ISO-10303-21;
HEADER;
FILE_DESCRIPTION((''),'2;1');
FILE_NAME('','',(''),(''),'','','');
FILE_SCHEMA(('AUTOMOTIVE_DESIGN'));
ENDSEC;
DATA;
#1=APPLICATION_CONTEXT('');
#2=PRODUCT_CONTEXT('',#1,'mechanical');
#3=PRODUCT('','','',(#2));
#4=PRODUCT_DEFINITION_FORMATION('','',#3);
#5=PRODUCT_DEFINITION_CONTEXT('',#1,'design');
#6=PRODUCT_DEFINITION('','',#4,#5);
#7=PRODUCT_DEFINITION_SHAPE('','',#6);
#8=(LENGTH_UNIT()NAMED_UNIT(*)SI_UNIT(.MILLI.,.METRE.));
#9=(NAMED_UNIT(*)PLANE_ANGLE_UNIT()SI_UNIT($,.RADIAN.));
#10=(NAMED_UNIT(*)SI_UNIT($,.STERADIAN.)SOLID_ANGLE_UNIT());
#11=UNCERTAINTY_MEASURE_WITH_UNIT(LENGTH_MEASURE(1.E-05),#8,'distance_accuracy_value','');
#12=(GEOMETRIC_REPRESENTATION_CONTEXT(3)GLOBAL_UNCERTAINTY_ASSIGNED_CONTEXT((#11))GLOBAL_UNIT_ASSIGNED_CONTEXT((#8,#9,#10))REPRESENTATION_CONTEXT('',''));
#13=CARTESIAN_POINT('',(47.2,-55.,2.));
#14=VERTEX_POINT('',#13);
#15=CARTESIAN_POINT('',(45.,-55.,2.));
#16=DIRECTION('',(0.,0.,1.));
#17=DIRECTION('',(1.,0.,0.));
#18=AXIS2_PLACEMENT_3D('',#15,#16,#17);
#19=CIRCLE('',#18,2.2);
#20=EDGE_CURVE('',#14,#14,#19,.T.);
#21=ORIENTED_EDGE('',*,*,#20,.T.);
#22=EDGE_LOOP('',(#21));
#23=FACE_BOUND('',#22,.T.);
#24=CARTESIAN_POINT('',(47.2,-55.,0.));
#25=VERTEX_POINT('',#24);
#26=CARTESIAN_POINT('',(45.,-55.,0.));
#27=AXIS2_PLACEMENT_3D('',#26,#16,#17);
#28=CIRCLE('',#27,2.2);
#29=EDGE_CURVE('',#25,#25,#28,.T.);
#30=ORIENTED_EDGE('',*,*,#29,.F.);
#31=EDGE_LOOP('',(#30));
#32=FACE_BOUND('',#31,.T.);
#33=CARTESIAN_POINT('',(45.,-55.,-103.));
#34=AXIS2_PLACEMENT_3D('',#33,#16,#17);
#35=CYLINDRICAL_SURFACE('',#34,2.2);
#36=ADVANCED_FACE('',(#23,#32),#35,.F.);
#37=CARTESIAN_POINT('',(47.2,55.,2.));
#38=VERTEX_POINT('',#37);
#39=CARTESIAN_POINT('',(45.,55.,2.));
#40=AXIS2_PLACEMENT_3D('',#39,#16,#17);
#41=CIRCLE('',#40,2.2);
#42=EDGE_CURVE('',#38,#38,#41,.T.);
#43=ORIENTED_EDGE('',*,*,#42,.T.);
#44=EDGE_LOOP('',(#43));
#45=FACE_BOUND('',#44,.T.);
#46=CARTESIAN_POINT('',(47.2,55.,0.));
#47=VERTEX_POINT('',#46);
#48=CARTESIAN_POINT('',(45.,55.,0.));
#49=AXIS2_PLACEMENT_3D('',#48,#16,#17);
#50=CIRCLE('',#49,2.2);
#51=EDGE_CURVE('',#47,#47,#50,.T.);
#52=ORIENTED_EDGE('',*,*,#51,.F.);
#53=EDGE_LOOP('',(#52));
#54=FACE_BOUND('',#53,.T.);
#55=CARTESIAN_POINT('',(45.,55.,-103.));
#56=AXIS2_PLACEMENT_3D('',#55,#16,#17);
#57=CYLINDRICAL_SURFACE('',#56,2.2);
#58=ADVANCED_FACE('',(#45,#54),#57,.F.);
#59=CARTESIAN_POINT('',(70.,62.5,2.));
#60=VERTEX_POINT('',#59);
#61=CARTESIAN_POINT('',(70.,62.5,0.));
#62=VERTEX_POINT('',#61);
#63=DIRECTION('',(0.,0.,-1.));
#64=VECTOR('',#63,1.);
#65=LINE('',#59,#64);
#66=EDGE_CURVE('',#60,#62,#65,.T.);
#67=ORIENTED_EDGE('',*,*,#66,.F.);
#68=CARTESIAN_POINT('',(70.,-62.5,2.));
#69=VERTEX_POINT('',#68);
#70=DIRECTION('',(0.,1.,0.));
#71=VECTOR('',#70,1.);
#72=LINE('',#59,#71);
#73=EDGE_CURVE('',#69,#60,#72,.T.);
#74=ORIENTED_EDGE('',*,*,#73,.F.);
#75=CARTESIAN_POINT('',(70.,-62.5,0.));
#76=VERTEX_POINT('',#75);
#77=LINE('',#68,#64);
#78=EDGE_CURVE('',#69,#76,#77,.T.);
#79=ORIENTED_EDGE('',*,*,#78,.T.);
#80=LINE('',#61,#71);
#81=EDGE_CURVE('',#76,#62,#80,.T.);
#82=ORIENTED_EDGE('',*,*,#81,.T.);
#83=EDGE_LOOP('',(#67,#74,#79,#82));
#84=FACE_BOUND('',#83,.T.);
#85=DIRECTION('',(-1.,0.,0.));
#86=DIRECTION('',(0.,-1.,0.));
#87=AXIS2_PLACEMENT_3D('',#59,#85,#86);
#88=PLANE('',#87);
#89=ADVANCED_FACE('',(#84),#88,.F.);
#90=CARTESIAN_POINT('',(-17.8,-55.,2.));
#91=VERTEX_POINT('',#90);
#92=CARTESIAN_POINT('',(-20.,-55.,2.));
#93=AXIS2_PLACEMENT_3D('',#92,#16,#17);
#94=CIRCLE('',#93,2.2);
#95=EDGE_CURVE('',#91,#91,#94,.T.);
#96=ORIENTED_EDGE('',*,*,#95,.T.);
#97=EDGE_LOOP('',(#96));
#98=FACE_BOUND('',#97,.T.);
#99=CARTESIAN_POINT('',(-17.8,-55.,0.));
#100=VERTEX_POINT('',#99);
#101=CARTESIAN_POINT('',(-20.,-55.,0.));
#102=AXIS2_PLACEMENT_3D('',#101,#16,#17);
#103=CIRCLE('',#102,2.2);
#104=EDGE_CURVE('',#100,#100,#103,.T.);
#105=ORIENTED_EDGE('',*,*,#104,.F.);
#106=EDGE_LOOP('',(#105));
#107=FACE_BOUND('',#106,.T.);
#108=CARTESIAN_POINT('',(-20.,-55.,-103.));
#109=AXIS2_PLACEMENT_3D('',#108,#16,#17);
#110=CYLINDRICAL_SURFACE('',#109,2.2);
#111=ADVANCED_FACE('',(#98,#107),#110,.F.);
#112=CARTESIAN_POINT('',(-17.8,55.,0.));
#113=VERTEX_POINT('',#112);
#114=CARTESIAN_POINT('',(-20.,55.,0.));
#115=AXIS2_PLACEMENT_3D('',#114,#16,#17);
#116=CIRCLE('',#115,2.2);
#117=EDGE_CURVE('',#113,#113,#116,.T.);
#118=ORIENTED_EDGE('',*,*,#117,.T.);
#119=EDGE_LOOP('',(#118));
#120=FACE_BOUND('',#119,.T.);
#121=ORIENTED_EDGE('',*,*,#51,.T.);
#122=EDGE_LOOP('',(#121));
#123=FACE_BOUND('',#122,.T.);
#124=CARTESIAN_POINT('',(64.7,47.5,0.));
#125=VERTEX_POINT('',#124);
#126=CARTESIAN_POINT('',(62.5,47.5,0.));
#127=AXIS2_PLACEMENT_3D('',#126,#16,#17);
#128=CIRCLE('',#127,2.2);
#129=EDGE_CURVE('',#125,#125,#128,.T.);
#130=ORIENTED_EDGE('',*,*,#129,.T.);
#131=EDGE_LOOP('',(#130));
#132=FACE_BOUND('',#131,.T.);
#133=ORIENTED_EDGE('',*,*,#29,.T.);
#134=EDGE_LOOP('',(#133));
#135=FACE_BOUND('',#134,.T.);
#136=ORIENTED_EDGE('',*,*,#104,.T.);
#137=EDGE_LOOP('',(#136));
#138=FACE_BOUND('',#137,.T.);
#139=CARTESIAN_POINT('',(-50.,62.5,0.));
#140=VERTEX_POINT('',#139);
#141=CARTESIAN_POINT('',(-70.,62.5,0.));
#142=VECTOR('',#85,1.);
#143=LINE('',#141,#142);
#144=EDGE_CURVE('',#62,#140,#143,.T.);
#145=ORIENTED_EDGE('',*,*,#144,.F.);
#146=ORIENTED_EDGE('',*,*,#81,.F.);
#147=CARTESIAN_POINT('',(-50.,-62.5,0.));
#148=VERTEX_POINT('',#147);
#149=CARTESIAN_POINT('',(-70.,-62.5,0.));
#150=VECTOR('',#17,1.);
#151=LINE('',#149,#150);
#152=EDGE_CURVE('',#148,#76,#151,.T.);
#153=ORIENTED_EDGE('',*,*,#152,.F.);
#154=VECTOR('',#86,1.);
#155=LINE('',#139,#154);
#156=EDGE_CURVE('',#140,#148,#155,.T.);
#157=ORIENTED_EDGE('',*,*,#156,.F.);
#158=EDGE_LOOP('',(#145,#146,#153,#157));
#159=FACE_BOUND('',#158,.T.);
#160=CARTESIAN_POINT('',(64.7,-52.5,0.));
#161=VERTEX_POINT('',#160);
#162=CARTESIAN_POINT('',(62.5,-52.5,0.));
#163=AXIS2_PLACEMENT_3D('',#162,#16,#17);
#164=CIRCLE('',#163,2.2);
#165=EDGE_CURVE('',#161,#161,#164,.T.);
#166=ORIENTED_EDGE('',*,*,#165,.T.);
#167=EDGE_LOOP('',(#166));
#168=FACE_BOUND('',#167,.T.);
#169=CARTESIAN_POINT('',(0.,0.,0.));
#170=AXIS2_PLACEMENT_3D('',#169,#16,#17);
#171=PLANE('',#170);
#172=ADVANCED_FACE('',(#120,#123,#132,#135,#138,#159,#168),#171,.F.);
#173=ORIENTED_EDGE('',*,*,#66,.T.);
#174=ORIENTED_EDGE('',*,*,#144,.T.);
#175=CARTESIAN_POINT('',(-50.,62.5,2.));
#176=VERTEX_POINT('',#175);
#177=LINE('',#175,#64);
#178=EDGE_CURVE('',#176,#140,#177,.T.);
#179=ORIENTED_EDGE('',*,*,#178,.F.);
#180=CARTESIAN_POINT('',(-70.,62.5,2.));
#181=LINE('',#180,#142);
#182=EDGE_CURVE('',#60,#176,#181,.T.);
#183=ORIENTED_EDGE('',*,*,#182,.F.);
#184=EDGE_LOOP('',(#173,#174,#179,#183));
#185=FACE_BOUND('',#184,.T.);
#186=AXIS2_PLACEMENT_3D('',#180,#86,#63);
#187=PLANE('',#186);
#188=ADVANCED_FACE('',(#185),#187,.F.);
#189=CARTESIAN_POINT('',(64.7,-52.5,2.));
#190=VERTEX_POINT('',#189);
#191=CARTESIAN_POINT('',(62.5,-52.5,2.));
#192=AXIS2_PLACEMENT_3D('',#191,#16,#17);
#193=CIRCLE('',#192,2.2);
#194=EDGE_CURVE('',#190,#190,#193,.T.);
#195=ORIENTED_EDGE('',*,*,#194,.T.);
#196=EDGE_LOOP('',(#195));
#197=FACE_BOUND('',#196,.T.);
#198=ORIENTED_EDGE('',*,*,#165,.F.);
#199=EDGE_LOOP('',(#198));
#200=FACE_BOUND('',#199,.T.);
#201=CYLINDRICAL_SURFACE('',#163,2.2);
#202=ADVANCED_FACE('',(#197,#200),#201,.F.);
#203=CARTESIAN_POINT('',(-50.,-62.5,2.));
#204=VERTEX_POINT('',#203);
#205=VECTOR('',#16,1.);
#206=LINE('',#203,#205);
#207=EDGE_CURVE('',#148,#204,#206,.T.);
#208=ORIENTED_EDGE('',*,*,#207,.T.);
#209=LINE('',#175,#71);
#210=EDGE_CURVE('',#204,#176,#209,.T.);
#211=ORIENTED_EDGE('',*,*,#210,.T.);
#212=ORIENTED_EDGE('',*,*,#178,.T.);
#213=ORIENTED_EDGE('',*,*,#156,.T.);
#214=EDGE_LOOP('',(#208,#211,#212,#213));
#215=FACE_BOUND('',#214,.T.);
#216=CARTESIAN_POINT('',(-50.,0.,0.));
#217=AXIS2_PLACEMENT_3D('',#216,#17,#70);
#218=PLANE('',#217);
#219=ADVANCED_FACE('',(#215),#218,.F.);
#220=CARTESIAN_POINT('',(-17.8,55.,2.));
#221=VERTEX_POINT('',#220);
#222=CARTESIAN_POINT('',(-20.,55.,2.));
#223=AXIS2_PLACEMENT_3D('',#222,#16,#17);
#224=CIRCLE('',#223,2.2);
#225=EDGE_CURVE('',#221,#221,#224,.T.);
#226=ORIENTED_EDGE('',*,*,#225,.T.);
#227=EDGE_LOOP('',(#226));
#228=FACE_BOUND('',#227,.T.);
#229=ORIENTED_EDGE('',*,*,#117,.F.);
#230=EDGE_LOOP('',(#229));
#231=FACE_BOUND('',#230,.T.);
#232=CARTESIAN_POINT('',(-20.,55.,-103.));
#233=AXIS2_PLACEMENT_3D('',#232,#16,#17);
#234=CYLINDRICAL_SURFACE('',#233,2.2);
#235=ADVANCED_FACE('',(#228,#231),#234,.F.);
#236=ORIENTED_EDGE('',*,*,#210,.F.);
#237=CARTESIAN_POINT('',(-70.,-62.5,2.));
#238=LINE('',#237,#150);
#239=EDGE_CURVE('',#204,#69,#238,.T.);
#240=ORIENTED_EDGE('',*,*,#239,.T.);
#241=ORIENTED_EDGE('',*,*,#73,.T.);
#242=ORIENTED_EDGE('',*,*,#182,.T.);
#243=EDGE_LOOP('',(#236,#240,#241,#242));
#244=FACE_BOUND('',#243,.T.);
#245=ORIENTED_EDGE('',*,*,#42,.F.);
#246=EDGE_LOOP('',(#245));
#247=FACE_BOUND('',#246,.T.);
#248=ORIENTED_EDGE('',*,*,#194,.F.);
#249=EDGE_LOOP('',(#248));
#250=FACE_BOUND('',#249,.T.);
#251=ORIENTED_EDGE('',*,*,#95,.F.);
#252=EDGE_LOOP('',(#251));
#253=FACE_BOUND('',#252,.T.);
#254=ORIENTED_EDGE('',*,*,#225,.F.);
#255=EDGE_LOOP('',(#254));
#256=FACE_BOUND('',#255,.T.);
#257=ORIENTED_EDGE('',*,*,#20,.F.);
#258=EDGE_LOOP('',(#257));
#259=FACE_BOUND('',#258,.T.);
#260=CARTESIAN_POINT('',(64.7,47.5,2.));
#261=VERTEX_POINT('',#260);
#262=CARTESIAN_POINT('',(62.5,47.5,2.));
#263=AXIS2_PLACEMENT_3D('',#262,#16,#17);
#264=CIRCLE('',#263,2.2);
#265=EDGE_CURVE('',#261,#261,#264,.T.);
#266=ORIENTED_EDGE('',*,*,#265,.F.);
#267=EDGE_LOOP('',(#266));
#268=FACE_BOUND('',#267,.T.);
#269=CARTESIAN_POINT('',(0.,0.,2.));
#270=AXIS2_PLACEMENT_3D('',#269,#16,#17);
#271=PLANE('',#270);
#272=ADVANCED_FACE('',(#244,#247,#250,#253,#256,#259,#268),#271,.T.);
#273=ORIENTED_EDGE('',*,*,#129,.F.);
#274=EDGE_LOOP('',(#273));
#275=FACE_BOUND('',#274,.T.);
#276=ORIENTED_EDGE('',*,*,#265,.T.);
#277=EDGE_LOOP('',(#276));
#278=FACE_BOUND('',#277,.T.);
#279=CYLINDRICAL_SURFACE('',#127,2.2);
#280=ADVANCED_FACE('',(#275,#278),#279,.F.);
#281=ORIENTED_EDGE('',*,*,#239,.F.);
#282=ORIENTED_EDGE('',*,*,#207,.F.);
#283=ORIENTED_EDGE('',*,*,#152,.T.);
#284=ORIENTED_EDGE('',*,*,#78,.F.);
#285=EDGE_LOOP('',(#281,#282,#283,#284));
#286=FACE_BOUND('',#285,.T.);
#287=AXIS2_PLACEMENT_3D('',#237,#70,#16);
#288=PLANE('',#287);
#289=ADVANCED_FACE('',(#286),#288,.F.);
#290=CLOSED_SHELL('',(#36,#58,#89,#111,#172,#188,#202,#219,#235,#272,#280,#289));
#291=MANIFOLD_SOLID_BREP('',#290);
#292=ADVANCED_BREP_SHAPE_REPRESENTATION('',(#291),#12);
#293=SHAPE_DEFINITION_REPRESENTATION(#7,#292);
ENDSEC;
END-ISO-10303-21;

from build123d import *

# Parameters (mm, degrees)
SKETCH_1_W          = 140
SKETCH_1_H          = 125
EXTRUDE_1_DEPTH     = 2
SKETCH_3_R          = 2.2
CUT_EXTRUDE_1_DEPTH = 2
SKETCH_6_R          = 2.2
CUT_EXTRUDE_2_DEPTH = 2
SKETCH_7_R          = 2.2
CUT_EXTRUDE_3_DEPTH = 105
SKETCH_9_W          = 2
SKETCH_9_H          = 125
CUT_EXTRUDE_5_DEPTH = 20


with BuildPart() as part:
    # ｽｹｯﾁ1 → ﾎﾞｽ - 押し出し1 (new body)
    with BuildSketch(Plane.XY):
        Rectangle(SKETCH_1_W, SKETCH_1_H)
    extrude(amount=EXTRUDE_1_DEPTH)

    # ｽｹｯﾁ3 → ｶｯﾄ - 押し出し1 (cut)
    with BuildSketch(Plane.XY.offset(2)):
        with Locations((-60, 58.5)):
            Circle(SKETCH_3_R)
        with Locations((-60, -47.5)):
            Circle(SKETCH_3_R)
    extrude(amount=-CUT_EXTRUDE_1_DEPTH, mode=Mode.SUBTRACT)

    # ｽｹｯﾁ6 → ｶｯﾄ - 押し出し2 (cut)
    with BuildSketch(Plane.XY.offset(2)):
        with Locations((62.5, -52.5)):
            Circle(SKETCH_6_R)
        with Locations((62.5, 47.5)):
            Circle(SKETCH_6_R)
    extrude(amount=-CUT_EXTRUDE_2_DEPTH, mode=Mode.SUBTRACT)

    # ｽｹｯﾁ7 → ｶｯﾄ - 押し出し3 (cut)
    with BuildSketch(Plane.XY.offset(2)):
        with BuildLine():
            ThreePointArc((42.8, 55), (45, 52.8), (47.2, 55))
            Line((47.2, 55), (45, 55))
            Line((45, 55), (42.8, 55))
        make_face()
        with BuildLine():
            Line((45, 55), (47.2, 55))
            ThreePointArc((47.2, 55), (45, 57.2), (42.8, 55))
            Line((42.8, 55), (45, 55))
        make_face()
        with Locations((-20, 55)):
            Circle(SKETCH_7_R)
        with Locations((45, -55)):
            Circle(SKETCH_7_R)
        with Locations((-20, -55)):
            Circle(SKETCH_7_R)
    extrude(amount=-CUT_EXTRUDE_3_DEPTH, mode=Mode.SUBTRACT)

    # ｽｹｯﾁ9 → ｶｯﾄ - 押し出し5 (cut)
    with BuildSketch(Plane.ZY.offset(70)):
        with Locations((1, 0)):
            Rectangle(SKETCH_9_W, SKETCH_9_H)
    extrude(amount=-CUT_EXTRUDE_5_DEPTH, mode=Mode.SUBTRACT)


solid = part.part
